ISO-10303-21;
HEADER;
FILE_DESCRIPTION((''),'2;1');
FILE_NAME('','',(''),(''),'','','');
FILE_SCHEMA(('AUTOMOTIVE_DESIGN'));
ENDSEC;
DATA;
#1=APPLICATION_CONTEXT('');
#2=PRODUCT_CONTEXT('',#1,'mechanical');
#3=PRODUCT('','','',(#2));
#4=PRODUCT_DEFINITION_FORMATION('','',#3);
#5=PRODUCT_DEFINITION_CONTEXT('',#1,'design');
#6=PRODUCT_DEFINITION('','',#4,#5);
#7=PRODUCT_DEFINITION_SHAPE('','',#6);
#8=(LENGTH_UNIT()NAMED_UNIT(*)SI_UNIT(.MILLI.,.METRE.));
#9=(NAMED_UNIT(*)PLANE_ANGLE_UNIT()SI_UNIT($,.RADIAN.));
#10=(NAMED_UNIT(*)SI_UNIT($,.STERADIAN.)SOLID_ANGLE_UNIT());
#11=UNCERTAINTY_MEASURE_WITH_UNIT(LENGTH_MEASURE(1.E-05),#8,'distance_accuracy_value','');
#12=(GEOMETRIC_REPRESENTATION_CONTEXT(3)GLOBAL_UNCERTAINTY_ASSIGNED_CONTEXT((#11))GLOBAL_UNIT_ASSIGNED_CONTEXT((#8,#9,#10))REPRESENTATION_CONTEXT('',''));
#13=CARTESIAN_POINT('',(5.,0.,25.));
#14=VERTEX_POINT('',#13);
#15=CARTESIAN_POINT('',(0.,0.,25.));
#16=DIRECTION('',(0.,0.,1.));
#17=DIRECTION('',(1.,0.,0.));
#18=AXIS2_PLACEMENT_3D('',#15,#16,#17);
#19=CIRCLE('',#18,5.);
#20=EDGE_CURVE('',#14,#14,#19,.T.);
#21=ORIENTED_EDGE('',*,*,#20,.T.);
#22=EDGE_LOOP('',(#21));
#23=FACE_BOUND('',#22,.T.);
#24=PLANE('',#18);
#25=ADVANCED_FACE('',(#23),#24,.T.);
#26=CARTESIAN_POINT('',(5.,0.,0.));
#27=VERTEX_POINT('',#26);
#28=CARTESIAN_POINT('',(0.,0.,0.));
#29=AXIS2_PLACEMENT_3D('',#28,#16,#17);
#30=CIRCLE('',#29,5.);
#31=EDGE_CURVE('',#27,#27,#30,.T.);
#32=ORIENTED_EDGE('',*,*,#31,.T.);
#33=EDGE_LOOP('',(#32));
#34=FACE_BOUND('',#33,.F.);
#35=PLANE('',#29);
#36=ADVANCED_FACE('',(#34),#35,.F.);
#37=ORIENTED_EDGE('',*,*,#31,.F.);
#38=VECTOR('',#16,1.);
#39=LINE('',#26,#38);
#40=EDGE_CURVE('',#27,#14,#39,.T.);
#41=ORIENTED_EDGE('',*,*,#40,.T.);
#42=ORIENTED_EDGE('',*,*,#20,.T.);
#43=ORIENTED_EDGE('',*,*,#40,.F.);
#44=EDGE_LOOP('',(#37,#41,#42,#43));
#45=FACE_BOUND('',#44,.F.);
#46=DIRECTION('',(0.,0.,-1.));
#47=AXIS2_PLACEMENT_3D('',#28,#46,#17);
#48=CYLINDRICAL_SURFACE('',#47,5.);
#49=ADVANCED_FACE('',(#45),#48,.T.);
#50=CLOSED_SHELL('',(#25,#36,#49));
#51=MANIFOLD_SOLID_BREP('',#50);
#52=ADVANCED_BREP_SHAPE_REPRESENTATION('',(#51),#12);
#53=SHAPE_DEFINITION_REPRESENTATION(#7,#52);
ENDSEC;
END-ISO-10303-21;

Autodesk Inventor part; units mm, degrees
ref_plane "YZ Plane" through (0, 0, 0) normal (1, 0, 0) x (0, 1, 0)
ref_plane "XZ Plane" through (0, 0, 0) normal (0, 1, 0) x (-1, 0, 0)
ref_plane "XY Plane" through (0, 0, 0) normal (0, 0, 1) x (1, 0, 0)
sketch "Skizze1" plane through (0, 0, 0) normal (0, 0, 1) x (1, 0, 0)
  circle A0 centre (0, 0) radius 5
  dimension "d0" = 10
extrude "Extrusion1" add sketch "Skizze1" along normal blind 25
properties part number "BauteilWelle1"
